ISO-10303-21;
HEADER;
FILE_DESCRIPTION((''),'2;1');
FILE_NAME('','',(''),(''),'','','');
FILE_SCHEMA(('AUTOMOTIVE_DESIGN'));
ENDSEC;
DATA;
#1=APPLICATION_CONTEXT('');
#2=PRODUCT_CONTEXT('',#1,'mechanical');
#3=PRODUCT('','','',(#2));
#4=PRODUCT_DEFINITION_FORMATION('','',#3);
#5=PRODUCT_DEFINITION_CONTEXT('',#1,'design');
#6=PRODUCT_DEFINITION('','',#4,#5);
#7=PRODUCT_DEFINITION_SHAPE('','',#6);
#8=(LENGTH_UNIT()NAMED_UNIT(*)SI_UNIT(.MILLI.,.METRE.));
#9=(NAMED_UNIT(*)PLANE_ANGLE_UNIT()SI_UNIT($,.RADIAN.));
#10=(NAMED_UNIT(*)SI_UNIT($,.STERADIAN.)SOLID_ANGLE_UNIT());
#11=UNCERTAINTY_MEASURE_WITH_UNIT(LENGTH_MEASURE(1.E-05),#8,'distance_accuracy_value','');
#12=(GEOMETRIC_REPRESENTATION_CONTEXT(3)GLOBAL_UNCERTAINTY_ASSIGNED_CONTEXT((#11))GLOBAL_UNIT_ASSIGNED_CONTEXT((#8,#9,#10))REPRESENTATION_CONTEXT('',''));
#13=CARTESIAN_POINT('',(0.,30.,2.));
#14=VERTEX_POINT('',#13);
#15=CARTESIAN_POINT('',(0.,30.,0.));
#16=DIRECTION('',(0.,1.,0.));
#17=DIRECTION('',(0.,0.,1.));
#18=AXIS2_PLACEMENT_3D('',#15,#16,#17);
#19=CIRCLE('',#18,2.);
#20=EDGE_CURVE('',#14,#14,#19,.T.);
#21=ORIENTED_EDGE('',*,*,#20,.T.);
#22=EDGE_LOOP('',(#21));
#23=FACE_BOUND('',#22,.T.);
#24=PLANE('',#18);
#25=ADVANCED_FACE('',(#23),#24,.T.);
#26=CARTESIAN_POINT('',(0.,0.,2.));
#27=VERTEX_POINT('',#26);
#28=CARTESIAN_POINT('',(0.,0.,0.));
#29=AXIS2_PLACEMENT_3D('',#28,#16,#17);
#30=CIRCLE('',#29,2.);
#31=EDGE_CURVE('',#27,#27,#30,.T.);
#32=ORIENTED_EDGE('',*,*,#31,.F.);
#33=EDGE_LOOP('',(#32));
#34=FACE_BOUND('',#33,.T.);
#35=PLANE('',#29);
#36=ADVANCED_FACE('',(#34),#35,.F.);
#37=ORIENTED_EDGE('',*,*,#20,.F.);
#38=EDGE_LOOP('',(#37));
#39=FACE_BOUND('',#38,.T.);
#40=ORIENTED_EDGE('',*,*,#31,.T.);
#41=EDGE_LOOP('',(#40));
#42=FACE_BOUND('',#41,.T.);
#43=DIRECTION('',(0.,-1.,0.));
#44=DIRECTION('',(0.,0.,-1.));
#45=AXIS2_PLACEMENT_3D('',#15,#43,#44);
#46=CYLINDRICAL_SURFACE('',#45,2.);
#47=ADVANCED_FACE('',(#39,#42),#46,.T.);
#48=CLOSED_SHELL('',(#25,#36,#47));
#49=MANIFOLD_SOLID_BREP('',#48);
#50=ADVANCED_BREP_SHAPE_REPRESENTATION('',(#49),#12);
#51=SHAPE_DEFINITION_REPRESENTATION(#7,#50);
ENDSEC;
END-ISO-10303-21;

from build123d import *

# Parameters (mm, degrees)
SKETCH_1_R      = 2
EXTRUDE_1_DEPTH = 30


with BuildPart() as part:
    # Эскиз1 → Бобышка-Вытянуть1 (new body)
    with BuildSketch(Plane(origin=(0, 0, 0), x_dir=(1, 0, 0), z_dir=(0, 1, 0))):
        Circle(SKETCH_1_R)
    extrude(amount=EXTRUDE_1_DEPTH)


solid = part.part
